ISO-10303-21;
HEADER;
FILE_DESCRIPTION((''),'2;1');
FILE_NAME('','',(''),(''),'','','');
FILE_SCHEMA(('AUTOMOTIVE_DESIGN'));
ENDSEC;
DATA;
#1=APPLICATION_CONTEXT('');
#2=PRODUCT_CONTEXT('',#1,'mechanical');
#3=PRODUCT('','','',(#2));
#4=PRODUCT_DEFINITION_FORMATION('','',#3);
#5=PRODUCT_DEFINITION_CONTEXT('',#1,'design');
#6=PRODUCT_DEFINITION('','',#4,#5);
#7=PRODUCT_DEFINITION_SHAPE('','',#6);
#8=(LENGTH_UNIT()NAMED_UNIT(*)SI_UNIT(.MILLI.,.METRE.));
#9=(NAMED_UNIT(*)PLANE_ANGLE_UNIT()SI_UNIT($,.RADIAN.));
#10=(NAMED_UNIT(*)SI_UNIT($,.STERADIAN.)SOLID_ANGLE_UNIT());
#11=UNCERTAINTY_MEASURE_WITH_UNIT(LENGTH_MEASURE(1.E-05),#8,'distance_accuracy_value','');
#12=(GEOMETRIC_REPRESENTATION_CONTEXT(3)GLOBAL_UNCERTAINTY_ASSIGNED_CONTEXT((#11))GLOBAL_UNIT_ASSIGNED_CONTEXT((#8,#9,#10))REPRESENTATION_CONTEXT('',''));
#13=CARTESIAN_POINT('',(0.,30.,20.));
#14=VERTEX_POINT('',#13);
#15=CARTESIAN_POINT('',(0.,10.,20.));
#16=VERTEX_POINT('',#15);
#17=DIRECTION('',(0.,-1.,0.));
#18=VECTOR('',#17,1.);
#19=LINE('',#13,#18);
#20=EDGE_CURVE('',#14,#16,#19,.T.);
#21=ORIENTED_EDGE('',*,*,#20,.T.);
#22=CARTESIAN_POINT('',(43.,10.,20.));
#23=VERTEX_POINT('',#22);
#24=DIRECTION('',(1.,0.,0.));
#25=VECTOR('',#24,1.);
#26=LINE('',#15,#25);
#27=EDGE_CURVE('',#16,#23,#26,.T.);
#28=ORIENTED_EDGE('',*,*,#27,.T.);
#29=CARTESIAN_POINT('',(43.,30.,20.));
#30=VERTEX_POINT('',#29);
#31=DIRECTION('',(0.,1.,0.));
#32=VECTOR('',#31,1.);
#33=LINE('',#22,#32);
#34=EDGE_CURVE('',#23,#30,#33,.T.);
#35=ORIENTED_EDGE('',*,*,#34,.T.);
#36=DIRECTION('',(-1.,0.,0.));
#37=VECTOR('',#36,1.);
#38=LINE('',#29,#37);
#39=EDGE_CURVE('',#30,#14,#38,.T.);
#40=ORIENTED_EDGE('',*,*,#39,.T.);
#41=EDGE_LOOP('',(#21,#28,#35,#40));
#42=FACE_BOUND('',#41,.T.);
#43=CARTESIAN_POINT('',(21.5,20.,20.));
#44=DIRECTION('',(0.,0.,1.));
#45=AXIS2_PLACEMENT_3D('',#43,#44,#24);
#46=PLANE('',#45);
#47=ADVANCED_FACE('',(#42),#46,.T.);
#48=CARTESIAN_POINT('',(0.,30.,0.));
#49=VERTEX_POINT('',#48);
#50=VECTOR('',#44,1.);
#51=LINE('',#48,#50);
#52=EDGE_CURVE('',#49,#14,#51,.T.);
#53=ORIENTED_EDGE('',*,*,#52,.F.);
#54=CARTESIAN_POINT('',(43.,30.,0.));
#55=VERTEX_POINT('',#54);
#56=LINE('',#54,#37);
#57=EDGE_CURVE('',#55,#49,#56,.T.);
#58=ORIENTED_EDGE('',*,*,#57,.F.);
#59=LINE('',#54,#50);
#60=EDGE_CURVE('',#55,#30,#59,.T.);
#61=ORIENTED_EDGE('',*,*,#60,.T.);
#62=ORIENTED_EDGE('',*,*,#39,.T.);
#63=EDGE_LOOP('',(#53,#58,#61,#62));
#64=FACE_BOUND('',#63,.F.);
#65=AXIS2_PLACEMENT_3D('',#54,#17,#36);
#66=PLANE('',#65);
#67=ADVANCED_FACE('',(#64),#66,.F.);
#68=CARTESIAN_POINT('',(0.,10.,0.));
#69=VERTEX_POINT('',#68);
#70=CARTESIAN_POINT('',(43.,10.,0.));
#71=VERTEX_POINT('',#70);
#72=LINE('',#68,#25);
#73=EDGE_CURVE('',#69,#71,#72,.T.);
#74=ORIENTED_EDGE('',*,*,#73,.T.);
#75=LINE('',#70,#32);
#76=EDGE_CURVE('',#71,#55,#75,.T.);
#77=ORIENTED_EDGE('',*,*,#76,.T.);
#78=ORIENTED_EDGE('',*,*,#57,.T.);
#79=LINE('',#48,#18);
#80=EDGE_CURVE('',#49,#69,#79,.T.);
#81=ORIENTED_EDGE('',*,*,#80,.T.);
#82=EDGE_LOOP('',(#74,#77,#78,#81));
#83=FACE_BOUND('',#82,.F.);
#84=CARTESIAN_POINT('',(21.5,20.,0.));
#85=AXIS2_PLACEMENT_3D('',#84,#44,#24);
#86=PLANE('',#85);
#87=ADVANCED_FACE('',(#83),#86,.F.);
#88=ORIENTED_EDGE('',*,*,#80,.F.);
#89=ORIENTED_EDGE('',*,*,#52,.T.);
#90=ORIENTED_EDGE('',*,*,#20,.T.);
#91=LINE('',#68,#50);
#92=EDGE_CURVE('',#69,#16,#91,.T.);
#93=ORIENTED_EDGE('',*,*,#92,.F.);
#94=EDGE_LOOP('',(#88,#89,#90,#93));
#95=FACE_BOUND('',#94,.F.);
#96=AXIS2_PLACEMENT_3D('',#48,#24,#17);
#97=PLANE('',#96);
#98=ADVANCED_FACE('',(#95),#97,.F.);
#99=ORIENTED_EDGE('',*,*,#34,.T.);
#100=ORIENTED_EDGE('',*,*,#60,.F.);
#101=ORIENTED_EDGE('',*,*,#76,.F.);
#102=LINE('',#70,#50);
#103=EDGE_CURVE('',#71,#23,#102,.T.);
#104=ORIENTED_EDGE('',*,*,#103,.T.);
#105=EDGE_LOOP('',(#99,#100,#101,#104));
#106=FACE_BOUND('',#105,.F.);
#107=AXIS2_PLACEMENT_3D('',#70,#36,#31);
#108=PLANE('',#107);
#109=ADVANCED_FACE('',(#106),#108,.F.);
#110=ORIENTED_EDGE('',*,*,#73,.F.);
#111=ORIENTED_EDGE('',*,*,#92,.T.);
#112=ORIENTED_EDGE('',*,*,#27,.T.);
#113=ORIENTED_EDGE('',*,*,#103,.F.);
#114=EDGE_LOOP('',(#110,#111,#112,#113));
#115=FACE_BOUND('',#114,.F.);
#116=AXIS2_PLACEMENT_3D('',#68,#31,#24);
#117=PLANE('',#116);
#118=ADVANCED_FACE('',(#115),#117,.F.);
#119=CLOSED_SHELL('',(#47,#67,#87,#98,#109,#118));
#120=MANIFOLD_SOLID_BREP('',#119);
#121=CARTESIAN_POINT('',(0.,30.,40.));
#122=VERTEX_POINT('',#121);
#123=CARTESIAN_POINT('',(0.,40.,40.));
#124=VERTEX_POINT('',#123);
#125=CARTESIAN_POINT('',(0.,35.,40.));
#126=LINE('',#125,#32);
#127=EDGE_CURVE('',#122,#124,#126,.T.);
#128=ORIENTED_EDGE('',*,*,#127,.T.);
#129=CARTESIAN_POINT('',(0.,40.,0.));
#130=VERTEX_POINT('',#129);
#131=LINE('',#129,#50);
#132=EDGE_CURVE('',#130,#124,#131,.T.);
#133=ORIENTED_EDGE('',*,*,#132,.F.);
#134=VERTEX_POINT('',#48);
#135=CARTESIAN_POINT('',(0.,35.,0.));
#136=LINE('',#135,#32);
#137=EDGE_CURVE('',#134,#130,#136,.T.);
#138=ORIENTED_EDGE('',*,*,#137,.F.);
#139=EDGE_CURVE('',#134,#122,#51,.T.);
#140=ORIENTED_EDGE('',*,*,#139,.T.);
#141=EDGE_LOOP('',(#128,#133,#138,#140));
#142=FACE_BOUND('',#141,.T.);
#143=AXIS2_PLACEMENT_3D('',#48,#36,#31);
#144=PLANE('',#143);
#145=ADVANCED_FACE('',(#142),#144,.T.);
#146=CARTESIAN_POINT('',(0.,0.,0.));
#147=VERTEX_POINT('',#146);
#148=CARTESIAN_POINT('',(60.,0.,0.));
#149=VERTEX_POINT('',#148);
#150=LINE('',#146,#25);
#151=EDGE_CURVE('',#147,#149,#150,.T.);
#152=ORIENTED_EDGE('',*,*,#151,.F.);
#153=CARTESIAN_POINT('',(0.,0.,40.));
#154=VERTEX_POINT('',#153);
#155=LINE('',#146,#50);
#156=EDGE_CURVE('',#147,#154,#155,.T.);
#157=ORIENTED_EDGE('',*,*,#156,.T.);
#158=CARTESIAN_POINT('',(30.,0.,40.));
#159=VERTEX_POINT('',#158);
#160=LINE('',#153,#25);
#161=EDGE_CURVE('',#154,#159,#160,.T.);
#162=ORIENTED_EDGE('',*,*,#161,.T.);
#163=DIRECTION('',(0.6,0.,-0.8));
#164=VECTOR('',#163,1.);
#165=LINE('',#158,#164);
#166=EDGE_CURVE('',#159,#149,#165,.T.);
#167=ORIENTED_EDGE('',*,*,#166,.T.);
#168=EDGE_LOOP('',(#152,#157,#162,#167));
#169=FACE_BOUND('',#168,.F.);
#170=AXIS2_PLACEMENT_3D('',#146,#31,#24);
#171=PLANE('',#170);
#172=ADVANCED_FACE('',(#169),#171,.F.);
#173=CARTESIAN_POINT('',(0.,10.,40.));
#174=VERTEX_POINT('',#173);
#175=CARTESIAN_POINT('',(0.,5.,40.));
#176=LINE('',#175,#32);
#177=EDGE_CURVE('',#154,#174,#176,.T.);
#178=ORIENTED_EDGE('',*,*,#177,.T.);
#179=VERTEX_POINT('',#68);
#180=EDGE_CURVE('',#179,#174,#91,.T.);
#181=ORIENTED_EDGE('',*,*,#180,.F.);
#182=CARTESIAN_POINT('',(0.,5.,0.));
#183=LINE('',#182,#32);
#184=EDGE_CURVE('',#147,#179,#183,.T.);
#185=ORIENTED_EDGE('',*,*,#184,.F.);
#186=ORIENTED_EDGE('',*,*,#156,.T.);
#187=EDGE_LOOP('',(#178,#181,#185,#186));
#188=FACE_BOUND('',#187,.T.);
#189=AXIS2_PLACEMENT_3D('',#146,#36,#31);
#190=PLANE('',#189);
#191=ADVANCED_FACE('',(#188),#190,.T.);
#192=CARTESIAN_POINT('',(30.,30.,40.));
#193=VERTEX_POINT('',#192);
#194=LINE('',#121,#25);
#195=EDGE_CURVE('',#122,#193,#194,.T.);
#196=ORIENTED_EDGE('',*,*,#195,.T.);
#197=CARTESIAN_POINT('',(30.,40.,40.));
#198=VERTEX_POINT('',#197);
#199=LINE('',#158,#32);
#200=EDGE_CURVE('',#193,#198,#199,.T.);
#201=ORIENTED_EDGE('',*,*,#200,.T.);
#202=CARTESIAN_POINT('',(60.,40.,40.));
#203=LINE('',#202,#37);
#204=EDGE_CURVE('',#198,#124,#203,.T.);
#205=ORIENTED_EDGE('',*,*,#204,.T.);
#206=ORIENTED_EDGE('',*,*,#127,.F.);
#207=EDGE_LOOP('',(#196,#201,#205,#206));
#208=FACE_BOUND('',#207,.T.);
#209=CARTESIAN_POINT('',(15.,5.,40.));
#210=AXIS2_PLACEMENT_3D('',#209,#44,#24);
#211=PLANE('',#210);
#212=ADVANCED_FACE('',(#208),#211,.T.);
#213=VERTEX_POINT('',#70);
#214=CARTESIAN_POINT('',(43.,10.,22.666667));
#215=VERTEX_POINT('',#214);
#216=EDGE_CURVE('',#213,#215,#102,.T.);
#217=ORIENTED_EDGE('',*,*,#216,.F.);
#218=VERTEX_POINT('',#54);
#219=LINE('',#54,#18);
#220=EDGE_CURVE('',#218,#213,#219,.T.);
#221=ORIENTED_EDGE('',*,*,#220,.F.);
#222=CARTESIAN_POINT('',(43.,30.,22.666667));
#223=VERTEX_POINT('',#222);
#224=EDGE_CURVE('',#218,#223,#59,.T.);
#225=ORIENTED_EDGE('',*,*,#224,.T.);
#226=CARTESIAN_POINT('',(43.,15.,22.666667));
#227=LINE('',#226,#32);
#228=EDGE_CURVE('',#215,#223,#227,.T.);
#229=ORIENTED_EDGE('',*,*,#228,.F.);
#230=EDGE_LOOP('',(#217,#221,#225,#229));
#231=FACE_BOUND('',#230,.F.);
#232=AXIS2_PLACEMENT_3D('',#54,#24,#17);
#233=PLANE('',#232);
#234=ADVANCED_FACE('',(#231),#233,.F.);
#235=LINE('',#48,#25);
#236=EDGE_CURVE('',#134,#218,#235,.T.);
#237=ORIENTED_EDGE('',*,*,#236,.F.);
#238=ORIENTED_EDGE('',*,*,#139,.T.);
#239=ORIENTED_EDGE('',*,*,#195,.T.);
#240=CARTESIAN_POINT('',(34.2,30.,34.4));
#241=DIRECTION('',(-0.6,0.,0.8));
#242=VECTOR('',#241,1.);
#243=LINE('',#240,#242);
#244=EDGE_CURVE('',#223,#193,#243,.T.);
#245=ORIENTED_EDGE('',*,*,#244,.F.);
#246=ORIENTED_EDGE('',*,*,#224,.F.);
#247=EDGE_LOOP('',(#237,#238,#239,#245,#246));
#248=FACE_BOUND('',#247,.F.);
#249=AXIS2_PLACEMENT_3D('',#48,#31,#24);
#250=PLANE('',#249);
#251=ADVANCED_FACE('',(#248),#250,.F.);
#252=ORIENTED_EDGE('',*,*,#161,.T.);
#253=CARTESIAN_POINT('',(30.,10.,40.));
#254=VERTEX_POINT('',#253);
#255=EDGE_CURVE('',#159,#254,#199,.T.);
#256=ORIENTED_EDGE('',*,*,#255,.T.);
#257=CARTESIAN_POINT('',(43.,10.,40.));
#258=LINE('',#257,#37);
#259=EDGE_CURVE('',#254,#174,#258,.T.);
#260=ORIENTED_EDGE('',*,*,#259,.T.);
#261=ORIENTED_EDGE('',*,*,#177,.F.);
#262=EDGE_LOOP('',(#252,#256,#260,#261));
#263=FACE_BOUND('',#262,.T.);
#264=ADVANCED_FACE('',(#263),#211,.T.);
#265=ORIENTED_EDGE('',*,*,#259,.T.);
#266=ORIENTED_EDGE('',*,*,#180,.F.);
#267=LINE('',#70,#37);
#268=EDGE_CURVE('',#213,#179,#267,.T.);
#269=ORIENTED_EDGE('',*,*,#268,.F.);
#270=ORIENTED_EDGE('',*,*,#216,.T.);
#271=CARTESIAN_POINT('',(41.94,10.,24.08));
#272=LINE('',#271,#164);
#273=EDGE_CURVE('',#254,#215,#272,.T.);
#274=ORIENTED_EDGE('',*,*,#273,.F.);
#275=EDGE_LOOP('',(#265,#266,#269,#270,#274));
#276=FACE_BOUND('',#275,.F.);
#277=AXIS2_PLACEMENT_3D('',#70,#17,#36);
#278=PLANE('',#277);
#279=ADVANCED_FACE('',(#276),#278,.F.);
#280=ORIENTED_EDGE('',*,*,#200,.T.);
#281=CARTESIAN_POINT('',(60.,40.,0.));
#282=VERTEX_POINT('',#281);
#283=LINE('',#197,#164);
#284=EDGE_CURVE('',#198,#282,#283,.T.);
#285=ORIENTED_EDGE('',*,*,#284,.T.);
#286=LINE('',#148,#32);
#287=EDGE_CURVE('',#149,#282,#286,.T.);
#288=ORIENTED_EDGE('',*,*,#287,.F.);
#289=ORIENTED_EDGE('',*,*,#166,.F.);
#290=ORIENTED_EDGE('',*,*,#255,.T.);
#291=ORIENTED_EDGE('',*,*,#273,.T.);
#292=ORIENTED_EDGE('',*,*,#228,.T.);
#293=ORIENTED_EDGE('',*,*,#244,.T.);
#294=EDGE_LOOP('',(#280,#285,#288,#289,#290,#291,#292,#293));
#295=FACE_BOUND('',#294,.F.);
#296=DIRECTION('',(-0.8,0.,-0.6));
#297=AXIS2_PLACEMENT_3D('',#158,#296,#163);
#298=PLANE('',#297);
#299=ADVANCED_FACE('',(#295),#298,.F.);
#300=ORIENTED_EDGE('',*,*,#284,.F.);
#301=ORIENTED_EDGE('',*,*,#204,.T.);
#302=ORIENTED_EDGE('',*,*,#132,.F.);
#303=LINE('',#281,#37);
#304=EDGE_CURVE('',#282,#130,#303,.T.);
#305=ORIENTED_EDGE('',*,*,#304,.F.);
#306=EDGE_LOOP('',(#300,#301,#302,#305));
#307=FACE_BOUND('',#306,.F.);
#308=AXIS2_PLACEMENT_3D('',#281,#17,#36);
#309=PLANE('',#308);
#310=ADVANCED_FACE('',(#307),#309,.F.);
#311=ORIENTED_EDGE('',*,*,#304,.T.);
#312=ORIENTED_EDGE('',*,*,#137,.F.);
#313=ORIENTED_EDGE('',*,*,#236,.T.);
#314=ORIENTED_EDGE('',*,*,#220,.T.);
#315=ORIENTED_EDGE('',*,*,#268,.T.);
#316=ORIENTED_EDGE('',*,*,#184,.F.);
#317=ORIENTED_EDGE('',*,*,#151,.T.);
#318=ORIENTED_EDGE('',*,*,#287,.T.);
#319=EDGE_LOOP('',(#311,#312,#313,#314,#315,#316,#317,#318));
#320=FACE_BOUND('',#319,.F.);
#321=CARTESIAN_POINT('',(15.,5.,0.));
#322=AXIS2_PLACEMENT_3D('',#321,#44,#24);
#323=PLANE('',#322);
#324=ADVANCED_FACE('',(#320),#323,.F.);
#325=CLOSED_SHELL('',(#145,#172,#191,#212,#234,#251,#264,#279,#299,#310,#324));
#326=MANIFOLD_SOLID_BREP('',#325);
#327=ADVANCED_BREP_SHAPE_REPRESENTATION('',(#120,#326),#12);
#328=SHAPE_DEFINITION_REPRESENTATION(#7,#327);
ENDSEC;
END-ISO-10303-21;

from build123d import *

# Parameters (mm, degrees)
F0_W     = 30
F0_H     = 10
F1_DEPTH = 40
F2_DEPTH = 20
F4_DEPTH = 40


with BuildPart() as f1:
    # F0 (on Top) → F1 (new body)
    with BuildSketch(Plane.XY):
        with Locations((15, 5)):
            Rectangle(F0_W, F0_H)
        with Locations((15, 35)):
            Rectangle(F0_W, F0_H)
        Polygon((30, 10), (30, 0), (60, 0), (60, 40), (30, 40), (30, 30), (43, 30), (43, 10), align=None)
    extrude(amount=F1_DEPTH)

    # F3 (on face) → F4 (cut)
    with BuildSketch(Plane.XZ):
        Polygon((60, 40), (30, 40), (60, 0), align=None)
    extrude(amount=-F4_DEPTH, mode=Mode.SUBTRACT)


with BuildPart() as f2:
    # F0 (on Top) → F2 (new body)
    with BuildSketch(Plane.XY):
        Polygon((0, 30), (0, 10), (30, 10), (43, 10), (43, 30), (30, 30), align=None)
    extrude(amount=F2_DEPTH)


solid = Compound([f1.part, f2.part])
